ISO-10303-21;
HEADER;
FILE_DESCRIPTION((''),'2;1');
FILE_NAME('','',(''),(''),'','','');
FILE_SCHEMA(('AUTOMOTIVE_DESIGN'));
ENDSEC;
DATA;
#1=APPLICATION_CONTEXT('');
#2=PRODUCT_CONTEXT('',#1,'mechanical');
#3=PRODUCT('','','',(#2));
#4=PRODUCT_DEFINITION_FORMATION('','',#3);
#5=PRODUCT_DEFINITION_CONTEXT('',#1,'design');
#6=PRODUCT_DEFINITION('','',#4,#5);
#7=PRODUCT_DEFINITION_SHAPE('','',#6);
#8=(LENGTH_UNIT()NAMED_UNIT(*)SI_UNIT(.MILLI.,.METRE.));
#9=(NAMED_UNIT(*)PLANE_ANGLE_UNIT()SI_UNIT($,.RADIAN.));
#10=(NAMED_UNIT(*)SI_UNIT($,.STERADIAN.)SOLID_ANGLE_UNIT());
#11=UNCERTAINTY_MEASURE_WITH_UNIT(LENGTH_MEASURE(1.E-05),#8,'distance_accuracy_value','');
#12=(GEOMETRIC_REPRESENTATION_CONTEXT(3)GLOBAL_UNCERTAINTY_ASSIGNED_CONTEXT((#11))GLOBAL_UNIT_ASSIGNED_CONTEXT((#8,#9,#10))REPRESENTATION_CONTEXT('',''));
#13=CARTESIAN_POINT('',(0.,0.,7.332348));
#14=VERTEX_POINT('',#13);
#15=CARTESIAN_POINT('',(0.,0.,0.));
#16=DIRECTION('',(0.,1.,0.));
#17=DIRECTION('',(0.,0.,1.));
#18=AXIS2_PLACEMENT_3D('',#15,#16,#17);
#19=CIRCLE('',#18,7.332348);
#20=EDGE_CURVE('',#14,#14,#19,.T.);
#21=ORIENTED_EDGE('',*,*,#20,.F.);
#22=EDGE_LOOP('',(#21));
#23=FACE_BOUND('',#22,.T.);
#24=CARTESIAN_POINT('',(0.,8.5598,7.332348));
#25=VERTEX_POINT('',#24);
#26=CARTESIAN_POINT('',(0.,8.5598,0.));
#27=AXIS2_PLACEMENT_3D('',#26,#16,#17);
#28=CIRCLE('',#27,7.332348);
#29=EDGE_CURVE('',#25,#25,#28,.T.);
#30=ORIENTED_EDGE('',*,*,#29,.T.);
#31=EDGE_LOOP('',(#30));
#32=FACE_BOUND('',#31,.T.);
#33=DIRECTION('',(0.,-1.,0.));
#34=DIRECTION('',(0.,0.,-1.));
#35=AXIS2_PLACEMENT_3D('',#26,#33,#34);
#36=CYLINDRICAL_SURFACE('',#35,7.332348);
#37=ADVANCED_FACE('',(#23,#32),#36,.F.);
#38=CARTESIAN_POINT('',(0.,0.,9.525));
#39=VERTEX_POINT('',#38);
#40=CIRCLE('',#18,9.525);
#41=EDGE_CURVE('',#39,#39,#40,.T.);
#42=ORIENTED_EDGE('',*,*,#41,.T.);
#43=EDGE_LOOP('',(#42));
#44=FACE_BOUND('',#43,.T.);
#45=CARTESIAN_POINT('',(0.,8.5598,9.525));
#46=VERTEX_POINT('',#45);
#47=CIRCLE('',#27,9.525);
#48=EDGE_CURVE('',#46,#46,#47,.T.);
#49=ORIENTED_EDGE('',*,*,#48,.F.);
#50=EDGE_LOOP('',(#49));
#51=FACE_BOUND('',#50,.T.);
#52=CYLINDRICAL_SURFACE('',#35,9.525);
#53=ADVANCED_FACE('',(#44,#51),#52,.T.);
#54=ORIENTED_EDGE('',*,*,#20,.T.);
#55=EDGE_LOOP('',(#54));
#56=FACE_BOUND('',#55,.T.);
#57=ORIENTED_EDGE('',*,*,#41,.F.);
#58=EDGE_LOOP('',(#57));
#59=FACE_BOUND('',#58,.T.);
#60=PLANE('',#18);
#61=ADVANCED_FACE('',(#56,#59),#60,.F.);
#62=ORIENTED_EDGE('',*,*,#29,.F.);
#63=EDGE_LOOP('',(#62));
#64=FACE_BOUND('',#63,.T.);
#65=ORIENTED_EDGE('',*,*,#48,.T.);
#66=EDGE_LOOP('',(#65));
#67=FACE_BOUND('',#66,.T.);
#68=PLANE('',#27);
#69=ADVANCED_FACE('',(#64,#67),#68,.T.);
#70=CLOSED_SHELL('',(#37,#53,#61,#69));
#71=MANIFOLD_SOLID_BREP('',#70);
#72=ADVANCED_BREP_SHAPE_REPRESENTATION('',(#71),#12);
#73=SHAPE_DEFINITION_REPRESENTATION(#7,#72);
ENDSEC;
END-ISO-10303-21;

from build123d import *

# Parameters (mm, degrees)
SKETCH1_R           = 9.525
SKETCH1_R_2         = 7.332348419
BOSS_EXTRUDE1_DEPTH = 8.5598


with BuildPart() as part:
    # Sketch1 → Boss-Extrude1 (new body)
    with BuildSketch(Plane(origin=(0, 0, 0), x_dir=(1, 0, 0), z_dir=(0, 1, 0))):
        with Locations(Location((0, 0, 0), (0, 0, 270))):
            Circle(SKETCH1_R)
        with Locations(Location((0, 0, 0), (0, 0, 270))):
            Circle(SKETCH1_R_2, mode=Mode.SUBTRACT)
    extrude(amount=BOSS_EXTRUDE1_DEPTH)


solid = part.part
